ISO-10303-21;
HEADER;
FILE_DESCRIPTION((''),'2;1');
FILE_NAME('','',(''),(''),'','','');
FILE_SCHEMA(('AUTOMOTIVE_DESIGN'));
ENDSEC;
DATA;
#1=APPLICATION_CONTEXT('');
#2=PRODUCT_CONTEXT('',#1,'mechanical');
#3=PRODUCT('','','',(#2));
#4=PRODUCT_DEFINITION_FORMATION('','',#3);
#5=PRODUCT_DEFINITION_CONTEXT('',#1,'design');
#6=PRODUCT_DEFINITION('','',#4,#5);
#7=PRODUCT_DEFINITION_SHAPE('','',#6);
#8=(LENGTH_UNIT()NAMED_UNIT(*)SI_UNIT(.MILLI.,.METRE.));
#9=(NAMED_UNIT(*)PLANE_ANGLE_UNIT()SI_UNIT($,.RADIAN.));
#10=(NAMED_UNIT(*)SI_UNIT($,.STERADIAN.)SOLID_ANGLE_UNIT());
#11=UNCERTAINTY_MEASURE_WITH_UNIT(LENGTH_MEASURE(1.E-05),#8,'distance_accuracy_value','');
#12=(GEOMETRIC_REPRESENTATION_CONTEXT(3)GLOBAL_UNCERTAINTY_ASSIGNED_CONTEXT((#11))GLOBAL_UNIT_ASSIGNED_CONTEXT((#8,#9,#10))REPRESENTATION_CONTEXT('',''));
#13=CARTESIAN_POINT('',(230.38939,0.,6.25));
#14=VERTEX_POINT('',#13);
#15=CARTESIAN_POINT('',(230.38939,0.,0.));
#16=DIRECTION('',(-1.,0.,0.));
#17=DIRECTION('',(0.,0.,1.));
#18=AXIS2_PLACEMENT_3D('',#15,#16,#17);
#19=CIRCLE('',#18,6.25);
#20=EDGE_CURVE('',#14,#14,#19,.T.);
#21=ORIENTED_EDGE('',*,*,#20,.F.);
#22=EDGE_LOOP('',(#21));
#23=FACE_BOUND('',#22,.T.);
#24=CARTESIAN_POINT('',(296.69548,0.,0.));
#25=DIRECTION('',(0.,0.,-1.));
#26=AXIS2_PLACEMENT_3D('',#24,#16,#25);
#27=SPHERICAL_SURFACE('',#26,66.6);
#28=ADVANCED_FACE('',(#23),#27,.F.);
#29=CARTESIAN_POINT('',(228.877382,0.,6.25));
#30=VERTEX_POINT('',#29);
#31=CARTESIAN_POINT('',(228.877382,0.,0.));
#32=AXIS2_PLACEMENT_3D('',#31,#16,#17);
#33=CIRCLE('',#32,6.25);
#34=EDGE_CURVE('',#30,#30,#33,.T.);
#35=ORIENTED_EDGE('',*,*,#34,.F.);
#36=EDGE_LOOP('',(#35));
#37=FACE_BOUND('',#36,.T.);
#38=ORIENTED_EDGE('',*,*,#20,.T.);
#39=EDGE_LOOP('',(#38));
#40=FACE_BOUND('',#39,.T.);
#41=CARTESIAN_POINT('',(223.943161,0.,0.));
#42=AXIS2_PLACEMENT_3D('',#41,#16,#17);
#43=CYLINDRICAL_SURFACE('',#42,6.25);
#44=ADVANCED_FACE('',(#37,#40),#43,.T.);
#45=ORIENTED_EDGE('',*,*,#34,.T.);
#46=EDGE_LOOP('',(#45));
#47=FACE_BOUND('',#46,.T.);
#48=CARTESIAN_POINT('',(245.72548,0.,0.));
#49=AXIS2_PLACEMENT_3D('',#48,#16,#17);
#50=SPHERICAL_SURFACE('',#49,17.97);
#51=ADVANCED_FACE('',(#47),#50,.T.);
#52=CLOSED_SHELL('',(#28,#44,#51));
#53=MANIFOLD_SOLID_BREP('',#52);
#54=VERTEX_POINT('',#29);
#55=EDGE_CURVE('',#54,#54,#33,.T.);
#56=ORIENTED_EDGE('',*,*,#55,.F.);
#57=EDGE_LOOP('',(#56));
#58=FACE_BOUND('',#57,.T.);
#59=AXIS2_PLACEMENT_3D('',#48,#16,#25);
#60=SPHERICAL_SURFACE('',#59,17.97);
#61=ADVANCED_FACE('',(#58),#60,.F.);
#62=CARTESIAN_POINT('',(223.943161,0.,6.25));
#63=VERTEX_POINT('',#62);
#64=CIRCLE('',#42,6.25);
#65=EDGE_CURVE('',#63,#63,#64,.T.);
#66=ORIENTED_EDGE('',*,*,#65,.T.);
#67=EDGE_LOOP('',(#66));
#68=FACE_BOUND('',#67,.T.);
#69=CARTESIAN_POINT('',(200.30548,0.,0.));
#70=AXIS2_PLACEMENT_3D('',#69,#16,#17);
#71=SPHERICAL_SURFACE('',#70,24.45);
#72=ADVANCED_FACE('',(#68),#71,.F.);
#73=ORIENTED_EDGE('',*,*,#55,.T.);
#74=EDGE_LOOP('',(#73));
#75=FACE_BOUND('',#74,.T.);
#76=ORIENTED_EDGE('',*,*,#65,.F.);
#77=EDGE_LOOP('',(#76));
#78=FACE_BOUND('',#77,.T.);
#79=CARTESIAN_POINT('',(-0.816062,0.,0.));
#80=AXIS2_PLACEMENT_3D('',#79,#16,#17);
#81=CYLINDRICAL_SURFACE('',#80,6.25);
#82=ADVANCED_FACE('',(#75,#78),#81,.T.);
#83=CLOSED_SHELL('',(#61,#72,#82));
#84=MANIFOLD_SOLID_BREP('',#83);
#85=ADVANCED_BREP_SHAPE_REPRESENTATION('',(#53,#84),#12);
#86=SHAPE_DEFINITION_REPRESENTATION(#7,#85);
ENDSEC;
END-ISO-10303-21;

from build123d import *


with BuildPart() as part:
    # 草图1 one side → 旋转1 (revolve)
    with BuildSketch(Plane(origin=(0, 0, 0), x_dir=(1, 0, 0), z_dir=(0, 1, 0)), mode=Mode.PRIVATE) as revolve_1_sk:
        with BuildLine():
            Line((228.877381727, 6.25), (223.943161324, 6.25))
            ThreePointArc((223.943161324, 6.25), (224.551549528, 3.151283901), (224.755479542, 0))
            Line((224.755479542, 0), (227.755479542, 0))
            ThreePointArc((227.755479542, 0), (228.038178762, 3.174947421), (228.877381727, 6.25))
        make_face()
    revolve(revolve_1_sk.sketch.rotate(Axis((-0.816062176, 0, 0), (1, 0, 0)), 180), axis=Axis((-0.816062176, 0, 0), (1, 0, 0)))  # turned: the seam where the file's is


with BuildPart() as body_2:
    # 草图2 one side → 旋转3 (revolve)
    with BuildSketch(Plane(origin=(0, 0, 0), x_dir=(1, 0, 0), z_dir=(0, 1, 0)), mode=Mode.PRIVATE) as revolve_3_sk:
        with BuildLine():
            Line((230.389390078, 6.25), (228.877381727, 6.25))
            ThreePointArc((228.877381727, 6.25), (228.038178762, 3.174947421), (227.755479542, 0))
            Line((227.755479542, 0), (230.095479542, 0))
            ThreePointArc((230.095479542, 0), (230.168997754, 3.128453428), (230.389390078, 6.25))
        make_face()
    revolve(revolve_3_sk.sketch.rotate(Axis((223.943161324, 0, 0), (1, 0, 0)), 180), axis=Axis((223.943161324, 0, 0), (1, 0, 0)))  # turned: the seam where the file's is


solid = Compound([part.part, body_2.part])
